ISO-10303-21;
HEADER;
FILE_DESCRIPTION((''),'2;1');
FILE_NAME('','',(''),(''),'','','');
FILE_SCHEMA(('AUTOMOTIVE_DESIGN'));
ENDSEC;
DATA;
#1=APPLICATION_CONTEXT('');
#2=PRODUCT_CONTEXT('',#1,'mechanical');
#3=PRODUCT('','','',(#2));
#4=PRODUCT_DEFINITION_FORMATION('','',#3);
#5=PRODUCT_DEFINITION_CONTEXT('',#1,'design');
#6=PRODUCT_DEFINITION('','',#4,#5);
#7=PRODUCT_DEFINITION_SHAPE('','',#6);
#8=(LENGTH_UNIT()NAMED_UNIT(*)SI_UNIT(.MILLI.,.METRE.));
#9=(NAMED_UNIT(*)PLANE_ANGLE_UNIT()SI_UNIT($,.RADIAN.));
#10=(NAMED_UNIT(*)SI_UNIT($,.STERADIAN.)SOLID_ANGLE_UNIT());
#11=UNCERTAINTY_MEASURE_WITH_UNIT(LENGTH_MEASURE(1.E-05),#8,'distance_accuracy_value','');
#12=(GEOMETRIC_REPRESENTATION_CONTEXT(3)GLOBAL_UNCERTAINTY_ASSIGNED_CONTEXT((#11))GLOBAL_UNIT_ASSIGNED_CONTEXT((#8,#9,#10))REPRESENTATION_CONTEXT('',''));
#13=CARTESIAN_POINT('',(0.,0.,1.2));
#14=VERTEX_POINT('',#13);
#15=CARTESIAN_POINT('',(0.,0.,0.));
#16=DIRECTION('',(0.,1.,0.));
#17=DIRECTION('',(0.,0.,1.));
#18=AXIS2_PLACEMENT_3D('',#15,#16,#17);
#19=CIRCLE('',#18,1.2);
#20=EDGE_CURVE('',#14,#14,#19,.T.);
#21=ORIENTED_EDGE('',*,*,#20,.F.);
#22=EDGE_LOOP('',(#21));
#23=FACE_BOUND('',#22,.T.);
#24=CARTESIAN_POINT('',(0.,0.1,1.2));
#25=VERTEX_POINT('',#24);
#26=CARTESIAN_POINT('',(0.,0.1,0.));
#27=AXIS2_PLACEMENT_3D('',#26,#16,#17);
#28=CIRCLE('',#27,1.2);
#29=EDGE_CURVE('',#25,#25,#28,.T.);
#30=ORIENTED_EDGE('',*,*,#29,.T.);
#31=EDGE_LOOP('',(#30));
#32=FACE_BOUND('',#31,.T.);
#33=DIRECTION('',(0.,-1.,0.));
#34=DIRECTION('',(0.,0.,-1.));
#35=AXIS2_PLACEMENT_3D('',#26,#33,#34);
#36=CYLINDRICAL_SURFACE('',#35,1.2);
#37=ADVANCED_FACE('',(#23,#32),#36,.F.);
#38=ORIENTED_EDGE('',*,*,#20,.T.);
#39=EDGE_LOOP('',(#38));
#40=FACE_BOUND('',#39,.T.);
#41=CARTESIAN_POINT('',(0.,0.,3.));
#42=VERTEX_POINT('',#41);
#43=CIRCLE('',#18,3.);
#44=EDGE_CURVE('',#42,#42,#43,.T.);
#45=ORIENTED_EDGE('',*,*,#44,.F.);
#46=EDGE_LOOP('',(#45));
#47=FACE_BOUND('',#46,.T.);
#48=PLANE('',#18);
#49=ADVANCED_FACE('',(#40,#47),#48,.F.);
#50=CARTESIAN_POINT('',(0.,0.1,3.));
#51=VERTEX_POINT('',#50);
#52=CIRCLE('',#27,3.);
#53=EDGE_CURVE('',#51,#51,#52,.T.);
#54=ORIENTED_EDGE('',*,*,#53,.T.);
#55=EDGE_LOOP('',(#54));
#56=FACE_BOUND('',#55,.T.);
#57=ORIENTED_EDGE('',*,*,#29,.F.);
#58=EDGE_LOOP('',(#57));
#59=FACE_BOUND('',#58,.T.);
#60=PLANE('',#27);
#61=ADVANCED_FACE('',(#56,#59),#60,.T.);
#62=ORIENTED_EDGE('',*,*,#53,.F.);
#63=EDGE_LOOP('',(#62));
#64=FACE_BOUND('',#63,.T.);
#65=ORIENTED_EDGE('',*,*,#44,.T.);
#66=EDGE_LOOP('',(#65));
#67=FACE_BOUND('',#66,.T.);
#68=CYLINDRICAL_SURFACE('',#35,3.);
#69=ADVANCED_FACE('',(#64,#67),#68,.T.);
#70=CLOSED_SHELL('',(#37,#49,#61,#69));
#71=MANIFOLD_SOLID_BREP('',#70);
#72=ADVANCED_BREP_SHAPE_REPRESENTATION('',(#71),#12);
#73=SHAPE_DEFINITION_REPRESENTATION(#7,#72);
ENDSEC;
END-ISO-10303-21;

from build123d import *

# Parameters (mm, degrees)
SKETCH1_R      = 3
SKETCH1_R_2    = 1.2
EXTRUDE1_DEPTH = 0.1


with BuildPart() as part:
    # Sketch1 → Extrude1 (new body)
    with BuildSketch(Plane(origin=(0, 0, 0), x_dir=(1, 0, 0), z_dir=(0, 1, 0))):
        with Locations(Location((0, 0, 0), (0, 0, 270))):  # turned: the seam where the file's is
            Circle(SKETCH1_R)
        with Locations(Location((0, 0, 0), (0, 0, 270))):  # turned: the seam where the file's is
            Circle(SKETCH1_R_2, mode=Mode.SUBTRACT)
    extrude(amount=EXTRUDE1_DEPTH)


solid = part.part
